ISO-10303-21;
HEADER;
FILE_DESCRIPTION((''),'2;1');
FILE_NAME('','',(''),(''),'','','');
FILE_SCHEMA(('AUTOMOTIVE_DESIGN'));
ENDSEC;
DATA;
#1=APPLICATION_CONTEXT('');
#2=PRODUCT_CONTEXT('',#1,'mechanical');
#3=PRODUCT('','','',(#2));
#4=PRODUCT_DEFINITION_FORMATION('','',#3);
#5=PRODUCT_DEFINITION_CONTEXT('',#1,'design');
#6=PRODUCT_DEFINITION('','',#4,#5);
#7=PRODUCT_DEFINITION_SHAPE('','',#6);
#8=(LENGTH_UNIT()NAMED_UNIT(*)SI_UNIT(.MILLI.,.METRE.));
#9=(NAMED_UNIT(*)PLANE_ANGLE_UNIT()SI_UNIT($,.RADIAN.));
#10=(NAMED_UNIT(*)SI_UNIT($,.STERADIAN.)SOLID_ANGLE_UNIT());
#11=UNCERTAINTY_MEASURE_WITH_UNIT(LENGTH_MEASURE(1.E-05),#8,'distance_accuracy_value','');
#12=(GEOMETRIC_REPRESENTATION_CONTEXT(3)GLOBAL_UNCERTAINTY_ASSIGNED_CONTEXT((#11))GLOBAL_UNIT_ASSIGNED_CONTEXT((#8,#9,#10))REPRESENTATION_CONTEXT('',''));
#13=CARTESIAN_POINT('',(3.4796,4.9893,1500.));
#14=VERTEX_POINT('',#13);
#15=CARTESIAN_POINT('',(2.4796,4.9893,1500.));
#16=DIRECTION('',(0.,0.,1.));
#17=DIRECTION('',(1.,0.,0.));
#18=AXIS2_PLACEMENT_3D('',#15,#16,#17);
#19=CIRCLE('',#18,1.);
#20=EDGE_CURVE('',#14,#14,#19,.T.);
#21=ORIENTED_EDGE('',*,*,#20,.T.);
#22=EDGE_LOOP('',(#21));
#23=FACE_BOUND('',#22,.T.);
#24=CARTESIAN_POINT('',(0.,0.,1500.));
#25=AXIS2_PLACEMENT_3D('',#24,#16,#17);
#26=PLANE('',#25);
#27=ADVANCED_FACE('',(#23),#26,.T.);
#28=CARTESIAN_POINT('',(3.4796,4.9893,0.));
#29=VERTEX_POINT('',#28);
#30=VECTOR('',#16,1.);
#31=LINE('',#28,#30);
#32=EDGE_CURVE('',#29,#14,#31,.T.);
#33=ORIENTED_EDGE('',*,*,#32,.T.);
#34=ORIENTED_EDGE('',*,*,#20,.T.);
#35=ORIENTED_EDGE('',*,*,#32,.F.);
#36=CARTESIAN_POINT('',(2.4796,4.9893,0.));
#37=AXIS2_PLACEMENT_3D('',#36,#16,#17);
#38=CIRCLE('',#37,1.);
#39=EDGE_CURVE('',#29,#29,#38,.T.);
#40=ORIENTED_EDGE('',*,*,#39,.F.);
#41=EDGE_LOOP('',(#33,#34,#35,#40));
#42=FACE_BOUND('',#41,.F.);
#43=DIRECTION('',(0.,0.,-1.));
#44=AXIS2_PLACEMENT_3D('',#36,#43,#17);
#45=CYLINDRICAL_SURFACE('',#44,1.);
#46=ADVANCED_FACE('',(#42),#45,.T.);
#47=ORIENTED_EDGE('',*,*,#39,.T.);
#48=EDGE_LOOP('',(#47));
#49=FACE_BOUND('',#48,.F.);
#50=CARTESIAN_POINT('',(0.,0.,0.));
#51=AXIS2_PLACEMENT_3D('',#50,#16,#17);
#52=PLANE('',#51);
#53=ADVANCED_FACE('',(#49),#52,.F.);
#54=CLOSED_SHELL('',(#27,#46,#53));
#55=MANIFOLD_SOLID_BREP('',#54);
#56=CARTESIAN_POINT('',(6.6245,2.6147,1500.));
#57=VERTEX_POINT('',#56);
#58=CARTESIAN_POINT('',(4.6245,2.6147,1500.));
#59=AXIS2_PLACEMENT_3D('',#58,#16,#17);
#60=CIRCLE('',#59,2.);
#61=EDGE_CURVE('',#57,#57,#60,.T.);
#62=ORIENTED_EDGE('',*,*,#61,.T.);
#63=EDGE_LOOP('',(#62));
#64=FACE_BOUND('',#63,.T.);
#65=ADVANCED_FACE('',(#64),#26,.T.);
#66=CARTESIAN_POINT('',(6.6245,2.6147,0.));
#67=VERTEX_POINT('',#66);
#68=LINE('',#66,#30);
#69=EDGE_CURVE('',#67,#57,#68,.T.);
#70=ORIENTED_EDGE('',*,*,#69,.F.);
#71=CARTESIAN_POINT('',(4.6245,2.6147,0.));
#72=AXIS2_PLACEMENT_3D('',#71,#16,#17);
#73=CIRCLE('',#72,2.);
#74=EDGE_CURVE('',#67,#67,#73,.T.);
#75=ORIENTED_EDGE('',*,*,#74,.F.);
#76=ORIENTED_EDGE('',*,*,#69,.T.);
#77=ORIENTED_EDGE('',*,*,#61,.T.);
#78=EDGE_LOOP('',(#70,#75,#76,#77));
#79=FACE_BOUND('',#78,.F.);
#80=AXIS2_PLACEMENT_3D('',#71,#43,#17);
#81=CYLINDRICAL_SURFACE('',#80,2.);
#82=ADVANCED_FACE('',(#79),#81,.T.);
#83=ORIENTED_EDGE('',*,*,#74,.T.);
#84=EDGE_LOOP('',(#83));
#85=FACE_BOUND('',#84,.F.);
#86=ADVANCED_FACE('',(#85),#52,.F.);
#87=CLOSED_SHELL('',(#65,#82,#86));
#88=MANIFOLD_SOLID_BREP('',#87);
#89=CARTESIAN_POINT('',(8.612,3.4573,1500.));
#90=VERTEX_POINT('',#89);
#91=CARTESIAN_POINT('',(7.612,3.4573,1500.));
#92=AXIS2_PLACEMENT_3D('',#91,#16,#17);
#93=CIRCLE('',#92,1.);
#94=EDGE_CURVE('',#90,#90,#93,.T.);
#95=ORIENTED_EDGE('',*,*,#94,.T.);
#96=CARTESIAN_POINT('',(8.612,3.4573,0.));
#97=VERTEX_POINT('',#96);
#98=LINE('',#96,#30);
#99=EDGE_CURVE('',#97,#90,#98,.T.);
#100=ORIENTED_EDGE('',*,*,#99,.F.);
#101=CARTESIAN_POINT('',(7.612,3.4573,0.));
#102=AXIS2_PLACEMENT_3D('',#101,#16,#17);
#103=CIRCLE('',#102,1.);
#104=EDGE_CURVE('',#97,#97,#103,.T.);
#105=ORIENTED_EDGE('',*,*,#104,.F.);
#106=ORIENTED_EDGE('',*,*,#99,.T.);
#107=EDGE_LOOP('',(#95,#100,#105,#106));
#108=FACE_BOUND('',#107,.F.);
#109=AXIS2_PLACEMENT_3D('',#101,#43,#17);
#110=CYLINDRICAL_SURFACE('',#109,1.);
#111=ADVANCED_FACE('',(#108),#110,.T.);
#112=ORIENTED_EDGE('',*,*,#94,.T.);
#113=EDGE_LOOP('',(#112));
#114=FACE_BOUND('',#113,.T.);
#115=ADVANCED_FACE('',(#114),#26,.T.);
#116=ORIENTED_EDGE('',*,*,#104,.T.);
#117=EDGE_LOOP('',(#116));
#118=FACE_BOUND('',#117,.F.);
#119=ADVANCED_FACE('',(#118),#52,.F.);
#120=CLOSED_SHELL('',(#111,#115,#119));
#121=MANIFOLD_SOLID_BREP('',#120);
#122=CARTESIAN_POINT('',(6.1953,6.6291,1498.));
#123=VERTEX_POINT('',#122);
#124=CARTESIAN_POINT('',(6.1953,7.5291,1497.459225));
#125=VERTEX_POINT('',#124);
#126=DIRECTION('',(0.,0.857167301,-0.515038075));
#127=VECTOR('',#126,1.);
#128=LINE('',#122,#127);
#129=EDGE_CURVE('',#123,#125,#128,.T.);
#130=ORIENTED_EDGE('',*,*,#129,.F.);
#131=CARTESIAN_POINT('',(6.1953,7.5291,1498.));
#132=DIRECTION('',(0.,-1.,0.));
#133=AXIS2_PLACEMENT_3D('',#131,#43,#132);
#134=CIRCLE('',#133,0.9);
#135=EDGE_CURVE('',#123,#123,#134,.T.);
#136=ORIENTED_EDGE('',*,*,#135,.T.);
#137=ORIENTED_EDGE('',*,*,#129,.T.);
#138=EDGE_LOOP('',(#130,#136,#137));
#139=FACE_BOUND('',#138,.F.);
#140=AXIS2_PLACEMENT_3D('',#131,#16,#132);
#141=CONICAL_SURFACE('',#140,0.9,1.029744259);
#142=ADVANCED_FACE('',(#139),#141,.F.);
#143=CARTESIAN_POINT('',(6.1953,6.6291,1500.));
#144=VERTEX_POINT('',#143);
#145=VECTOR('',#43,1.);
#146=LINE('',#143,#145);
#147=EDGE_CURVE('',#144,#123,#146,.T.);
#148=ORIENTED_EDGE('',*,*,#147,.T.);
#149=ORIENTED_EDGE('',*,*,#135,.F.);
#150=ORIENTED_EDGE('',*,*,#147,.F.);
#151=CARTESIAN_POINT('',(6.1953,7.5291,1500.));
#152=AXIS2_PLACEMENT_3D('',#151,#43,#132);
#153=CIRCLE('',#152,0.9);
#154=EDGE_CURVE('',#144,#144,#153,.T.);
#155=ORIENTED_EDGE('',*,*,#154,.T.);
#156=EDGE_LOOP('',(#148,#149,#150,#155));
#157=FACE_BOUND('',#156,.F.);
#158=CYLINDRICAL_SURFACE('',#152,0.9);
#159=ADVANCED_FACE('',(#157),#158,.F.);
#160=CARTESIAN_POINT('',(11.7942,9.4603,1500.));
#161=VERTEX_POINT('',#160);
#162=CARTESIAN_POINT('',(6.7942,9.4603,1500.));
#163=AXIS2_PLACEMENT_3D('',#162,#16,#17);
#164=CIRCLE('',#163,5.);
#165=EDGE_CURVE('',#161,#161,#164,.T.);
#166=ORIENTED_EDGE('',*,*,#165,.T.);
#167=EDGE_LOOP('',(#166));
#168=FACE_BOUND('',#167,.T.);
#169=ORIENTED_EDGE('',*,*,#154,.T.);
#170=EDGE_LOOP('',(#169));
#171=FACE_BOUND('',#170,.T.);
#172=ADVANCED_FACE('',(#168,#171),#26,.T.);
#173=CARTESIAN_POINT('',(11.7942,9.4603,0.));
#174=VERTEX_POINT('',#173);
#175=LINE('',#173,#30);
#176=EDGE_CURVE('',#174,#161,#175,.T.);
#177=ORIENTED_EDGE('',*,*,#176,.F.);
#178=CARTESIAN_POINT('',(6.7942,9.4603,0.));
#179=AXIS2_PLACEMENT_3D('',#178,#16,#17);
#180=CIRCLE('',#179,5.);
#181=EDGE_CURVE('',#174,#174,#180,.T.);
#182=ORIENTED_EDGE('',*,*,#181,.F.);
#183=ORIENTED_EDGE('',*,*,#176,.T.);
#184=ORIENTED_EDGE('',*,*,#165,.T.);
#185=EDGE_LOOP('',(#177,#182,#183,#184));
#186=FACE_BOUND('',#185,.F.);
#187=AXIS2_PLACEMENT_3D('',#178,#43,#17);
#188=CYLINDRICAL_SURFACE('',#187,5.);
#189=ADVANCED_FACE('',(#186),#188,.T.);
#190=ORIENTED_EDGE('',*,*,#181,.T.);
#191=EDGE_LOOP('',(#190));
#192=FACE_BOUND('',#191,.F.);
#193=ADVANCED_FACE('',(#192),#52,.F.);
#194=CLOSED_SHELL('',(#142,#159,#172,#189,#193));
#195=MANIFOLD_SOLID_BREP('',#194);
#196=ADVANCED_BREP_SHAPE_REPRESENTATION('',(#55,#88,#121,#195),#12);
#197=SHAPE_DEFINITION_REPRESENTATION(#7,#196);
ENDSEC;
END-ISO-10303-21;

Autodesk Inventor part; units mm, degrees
ref_plane "YZ Plane" through (0, 0, 0) normal (1, 0, 0) x (0, 1, 0)
ref_plane "XZ Plane" through (0, 0, 0) normal (0, 1, 0) x (-1, 0, 0)
ref_plane "XY Plane" through (0, 0, 0) normal (0, 0, 1) x (1, 0, 0)
sketch "Sketch1" plane through (0, 0, 0) normal (0, 0, 1) x (1, 0, 0)
  circle A0 centre (6.7942, 9.4603) radius 5
  circle A1 centre (4.6245, 2.6147) radius 2
  circle A2 centre (7.612, 3.4573) radius 1
  circle A3 centre (2.4796, 4.9893) radius 1
  point P0 (0, 0)
  dimension "d0" = 10
  dimension "d1" = 4
  dimension "d2" = 2
  dimension "d3" = 2
extrude "Extrusion1" add sketch "Sketch1" along normal blind 1500
sketch "Sketch2" plane through (6.7942, 9.4603, 1500) normal (0, 0, 1) x (1, 0, 0)
  line L0 (-2.1527, -6.9412) -> (0.9548, 3.0788) construction
  circle A0 centre (-0.5989, -1.9312) radius 0.8997
hole "Hole1" at (6.1953, 7.5291, 1500) direction (0, 0, -1) diameter 1.8 depth 2 tip angle 118
properties part number "cables"
